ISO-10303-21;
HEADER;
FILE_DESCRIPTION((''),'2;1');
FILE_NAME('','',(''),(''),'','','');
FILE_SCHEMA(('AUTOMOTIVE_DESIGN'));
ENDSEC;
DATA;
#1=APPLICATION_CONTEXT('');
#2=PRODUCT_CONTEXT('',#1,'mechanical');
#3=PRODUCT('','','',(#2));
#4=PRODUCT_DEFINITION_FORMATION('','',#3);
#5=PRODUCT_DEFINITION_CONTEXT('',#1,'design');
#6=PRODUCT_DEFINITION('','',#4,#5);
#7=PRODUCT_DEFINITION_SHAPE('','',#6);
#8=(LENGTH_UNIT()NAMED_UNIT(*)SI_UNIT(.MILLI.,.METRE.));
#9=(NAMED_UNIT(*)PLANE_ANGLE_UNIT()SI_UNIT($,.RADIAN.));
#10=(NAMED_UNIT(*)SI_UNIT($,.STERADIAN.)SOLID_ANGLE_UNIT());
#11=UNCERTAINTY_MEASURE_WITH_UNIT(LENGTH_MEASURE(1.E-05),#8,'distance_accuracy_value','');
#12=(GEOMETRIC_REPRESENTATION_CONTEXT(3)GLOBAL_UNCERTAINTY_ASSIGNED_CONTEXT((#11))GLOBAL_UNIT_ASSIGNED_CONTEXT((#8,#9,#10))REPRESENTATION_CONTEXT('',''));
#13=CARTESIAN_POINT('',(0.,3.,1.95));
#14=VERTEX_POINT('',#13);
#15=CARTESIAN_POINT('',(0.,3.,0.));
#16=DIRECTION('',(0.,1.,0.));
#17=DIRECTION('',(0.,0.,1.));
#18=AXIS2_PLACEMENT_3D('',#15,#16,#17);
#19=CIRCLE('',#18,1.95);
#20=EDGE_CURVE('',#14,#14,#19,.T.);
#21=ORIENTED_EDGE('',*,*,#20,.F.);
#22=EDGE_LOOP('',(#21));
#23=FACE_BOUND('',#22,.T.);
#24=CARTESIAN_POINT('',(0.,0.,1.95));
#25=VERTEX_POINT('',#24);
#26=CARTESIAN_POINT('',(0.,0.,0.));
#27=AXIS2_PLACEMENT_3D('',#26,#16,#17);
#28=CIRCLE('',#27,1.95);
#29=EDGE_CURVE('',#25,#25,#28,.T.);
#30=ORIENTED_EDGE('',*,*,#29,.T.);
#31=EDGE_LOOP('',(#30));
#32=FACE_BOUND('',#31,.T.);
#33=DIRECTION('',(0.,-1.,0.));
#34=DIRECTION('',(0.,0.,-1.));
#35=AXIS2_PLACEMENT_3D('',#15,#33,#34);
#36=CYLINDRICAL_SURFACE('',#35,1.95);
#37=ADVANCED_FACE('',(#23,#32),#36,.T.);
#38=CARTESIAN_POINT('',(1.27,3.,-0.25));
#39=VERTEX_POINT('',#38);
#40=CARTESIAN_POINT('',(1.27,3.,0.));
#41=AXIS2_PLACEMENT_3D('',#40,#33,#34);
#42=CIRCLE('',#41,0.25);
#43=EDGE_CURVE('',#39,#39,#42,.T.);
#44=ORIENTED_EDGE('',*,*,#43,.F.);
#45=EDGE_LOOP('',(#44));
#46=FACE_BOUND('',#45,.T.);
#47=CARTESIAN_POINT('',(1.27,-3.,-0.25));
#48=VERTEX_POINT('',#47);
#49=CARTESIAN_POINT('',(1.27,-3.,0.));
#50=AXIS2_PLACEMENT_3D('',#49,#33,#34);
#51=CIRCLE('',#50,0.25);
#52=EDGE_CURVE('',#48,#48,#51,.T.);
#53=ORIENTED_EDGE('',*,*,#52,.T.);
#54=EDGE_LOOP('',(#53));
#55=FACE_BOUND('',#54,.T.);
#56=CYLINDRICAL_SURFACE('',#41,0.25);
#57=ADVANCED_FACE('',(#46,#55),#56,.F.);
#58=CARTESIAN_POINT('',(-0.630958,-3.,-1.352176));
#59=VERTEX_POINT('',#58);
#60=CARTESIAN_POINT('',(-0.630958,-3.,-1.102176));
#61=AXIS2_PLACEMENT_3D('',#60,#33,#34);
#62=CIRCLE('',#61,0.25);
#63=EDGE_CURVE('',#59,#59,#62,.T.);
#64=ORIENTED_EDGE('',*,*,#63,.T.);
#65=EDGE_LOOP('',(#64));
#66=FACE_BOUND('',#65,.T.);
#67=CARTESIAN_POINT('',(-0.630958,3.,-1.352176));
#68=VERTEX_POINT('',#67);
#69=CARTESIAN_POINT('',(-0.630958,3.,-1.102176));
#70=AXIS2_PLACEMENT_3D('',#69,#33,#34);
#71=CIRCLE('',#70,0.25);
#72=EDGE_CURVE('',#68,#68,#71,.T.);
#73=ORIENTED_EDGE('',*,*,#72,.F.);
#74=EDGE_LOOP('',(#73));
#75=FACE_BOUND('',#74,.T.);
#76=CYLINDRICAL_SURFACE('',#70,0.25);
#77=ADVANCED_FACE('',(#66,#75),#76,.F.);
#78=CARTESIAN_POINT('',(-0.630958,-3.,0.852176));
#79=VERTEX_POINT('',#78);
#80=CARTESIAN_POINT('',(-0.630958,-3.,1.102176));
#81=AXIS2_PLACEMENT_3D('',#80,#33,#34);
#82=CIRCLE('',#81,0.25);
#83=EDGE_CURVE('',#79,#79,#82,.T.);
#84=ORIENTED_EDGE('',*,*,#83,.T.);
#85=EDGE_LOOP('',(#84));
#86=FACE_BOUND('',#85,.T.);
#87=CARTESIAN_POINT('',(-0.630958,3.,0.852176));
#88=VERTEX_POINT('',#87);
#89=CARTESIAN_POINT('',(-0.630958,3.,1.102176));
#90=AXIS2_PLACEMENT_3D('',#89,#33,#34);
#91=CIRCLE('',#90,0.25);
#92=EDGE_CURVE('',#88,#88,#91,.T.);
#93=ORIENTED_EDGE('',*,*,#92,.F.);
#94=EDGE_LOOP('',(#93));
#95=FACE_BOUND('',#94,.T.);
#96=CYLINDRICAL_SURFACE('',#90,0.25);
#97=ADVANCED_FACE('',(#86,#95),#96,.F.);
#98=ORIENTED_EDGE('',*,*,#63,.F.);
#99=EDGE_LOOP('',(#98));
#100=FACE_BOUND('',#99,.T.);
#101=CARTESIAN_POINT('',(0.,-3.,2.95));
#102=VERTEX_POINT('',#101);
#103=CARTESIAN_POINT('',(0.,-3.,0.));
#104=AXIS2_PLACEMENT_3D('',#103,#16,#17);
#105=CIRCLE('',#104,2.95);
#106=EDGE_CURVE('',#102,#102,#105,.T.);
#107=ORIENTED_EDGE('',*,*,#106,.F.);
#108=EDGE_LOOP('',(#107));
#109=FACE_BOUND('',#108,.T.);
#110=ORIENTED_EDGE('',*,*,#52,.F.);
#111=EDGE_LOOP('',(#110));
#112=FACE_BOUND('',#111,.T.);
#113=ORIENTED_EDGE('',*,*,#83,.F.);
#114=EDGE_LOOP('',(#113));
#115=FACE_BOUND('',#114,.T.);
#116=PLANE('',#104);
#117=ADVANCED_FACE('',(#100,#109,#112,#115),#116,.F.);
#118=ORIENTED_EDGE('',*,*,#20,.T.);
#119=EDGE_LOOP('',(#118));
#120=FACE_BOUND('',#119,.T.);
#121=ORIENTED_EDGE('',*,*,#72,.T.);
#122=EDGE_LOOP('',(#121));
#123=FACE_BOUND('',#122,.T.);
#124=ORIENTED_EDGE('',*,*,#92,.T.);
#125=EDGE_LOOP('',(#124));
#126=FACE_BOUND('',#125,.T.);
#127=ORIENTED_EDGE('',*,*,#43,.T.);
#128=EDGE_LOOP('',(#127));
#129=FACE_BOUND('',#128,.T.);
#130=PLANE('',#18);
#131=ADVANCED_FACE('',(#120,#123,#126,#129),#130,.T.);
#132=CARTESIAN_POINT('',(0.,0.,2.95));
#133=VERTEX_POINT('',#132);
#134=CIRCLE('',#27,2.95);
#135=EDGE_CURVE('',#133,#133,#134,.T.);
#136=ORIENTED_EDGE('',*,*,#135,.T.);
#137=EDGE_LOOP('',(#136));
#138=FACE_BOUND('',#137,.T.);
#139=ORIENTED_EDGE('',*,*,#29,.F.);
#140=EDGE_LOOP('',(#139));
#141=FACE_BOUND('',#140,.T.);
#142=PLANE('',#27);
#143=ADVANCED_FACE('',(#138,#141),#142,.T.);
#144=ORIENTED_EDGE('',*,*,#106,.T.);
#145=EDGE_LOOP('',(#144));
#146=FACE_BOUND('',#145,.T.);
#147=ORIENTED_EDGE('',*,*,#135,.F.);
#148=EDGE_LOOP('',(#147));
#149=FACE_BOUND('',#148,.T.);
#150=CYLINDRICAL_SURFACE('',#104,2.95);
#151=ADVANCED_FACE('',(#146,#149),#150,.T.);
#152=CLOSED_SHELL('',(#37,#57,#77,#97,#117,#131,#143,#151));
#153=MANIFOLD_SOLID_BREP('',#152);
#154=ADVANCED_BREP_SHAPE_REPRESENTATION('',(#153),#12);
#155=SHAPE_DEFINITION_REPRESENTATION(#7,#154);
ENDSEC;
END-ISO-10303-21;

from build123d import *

# Parameters (mm, degrees)
SKETCH_1_R          = 2.95
EXTRUDE_1_DEPTH     = 3
SKETCH_2_R          = 1.95
EXTRUDE_2_DEPTH     = 3
SKETCH_3_R          = 0.25
CUT_EXTRUDE_1_DEPTH = 6


with BuildPart() as part:
    # Эскиз1 → Бобышка-Вытянуть1 (new body)
    with BuildSketch(Plane(origin=(0, 0, 0), x_dir=(1, 0, 0), z_dir=(0, 1, 0))):
        with Locations(Location((0, 0, 0), (0, 0, 270))):
            Circle(SKETCH_1_R)
    extrude(amount=-EXTRUDE_1_DEPTH)

    # Эскиз2 → Бобышка-Вытянуть2 (add)
    with BuildSketch(Plane(origin=(0, 0, 0), x_dir=(1, 0, 0), z_dir=(0, 1, 0))):
        with Locations(Location((0, 0, 0), (0, 0, 270))):
            Circle(SKETCH_2_R)
    extrude(amount=EXTRUDE_2_DEPTH)

    # Эскиз3 → Вырез-Вытянуть1 (cut)
    with BuildSketch(Plane.XZ.offset(3)):
        with Locations(Location((1.27, 0, 0), (0, 0, 270))):
            Circle(SKETCH_3_R)
        with Locations(Location((-0.630957819, 1.102176134, 0), (0, 0, 270))):
            Circle(SKETCH_3_R)
        with Locations(Location((-0.630957819, -1.102176134, 0), (0, 0, 270))):
            Circle(SKETCH_3_R)
    extrude(amount=-CUT_EXTRUDE_1_DEPTH, mode=Mode.SUBTRACT)


solid = part.part
